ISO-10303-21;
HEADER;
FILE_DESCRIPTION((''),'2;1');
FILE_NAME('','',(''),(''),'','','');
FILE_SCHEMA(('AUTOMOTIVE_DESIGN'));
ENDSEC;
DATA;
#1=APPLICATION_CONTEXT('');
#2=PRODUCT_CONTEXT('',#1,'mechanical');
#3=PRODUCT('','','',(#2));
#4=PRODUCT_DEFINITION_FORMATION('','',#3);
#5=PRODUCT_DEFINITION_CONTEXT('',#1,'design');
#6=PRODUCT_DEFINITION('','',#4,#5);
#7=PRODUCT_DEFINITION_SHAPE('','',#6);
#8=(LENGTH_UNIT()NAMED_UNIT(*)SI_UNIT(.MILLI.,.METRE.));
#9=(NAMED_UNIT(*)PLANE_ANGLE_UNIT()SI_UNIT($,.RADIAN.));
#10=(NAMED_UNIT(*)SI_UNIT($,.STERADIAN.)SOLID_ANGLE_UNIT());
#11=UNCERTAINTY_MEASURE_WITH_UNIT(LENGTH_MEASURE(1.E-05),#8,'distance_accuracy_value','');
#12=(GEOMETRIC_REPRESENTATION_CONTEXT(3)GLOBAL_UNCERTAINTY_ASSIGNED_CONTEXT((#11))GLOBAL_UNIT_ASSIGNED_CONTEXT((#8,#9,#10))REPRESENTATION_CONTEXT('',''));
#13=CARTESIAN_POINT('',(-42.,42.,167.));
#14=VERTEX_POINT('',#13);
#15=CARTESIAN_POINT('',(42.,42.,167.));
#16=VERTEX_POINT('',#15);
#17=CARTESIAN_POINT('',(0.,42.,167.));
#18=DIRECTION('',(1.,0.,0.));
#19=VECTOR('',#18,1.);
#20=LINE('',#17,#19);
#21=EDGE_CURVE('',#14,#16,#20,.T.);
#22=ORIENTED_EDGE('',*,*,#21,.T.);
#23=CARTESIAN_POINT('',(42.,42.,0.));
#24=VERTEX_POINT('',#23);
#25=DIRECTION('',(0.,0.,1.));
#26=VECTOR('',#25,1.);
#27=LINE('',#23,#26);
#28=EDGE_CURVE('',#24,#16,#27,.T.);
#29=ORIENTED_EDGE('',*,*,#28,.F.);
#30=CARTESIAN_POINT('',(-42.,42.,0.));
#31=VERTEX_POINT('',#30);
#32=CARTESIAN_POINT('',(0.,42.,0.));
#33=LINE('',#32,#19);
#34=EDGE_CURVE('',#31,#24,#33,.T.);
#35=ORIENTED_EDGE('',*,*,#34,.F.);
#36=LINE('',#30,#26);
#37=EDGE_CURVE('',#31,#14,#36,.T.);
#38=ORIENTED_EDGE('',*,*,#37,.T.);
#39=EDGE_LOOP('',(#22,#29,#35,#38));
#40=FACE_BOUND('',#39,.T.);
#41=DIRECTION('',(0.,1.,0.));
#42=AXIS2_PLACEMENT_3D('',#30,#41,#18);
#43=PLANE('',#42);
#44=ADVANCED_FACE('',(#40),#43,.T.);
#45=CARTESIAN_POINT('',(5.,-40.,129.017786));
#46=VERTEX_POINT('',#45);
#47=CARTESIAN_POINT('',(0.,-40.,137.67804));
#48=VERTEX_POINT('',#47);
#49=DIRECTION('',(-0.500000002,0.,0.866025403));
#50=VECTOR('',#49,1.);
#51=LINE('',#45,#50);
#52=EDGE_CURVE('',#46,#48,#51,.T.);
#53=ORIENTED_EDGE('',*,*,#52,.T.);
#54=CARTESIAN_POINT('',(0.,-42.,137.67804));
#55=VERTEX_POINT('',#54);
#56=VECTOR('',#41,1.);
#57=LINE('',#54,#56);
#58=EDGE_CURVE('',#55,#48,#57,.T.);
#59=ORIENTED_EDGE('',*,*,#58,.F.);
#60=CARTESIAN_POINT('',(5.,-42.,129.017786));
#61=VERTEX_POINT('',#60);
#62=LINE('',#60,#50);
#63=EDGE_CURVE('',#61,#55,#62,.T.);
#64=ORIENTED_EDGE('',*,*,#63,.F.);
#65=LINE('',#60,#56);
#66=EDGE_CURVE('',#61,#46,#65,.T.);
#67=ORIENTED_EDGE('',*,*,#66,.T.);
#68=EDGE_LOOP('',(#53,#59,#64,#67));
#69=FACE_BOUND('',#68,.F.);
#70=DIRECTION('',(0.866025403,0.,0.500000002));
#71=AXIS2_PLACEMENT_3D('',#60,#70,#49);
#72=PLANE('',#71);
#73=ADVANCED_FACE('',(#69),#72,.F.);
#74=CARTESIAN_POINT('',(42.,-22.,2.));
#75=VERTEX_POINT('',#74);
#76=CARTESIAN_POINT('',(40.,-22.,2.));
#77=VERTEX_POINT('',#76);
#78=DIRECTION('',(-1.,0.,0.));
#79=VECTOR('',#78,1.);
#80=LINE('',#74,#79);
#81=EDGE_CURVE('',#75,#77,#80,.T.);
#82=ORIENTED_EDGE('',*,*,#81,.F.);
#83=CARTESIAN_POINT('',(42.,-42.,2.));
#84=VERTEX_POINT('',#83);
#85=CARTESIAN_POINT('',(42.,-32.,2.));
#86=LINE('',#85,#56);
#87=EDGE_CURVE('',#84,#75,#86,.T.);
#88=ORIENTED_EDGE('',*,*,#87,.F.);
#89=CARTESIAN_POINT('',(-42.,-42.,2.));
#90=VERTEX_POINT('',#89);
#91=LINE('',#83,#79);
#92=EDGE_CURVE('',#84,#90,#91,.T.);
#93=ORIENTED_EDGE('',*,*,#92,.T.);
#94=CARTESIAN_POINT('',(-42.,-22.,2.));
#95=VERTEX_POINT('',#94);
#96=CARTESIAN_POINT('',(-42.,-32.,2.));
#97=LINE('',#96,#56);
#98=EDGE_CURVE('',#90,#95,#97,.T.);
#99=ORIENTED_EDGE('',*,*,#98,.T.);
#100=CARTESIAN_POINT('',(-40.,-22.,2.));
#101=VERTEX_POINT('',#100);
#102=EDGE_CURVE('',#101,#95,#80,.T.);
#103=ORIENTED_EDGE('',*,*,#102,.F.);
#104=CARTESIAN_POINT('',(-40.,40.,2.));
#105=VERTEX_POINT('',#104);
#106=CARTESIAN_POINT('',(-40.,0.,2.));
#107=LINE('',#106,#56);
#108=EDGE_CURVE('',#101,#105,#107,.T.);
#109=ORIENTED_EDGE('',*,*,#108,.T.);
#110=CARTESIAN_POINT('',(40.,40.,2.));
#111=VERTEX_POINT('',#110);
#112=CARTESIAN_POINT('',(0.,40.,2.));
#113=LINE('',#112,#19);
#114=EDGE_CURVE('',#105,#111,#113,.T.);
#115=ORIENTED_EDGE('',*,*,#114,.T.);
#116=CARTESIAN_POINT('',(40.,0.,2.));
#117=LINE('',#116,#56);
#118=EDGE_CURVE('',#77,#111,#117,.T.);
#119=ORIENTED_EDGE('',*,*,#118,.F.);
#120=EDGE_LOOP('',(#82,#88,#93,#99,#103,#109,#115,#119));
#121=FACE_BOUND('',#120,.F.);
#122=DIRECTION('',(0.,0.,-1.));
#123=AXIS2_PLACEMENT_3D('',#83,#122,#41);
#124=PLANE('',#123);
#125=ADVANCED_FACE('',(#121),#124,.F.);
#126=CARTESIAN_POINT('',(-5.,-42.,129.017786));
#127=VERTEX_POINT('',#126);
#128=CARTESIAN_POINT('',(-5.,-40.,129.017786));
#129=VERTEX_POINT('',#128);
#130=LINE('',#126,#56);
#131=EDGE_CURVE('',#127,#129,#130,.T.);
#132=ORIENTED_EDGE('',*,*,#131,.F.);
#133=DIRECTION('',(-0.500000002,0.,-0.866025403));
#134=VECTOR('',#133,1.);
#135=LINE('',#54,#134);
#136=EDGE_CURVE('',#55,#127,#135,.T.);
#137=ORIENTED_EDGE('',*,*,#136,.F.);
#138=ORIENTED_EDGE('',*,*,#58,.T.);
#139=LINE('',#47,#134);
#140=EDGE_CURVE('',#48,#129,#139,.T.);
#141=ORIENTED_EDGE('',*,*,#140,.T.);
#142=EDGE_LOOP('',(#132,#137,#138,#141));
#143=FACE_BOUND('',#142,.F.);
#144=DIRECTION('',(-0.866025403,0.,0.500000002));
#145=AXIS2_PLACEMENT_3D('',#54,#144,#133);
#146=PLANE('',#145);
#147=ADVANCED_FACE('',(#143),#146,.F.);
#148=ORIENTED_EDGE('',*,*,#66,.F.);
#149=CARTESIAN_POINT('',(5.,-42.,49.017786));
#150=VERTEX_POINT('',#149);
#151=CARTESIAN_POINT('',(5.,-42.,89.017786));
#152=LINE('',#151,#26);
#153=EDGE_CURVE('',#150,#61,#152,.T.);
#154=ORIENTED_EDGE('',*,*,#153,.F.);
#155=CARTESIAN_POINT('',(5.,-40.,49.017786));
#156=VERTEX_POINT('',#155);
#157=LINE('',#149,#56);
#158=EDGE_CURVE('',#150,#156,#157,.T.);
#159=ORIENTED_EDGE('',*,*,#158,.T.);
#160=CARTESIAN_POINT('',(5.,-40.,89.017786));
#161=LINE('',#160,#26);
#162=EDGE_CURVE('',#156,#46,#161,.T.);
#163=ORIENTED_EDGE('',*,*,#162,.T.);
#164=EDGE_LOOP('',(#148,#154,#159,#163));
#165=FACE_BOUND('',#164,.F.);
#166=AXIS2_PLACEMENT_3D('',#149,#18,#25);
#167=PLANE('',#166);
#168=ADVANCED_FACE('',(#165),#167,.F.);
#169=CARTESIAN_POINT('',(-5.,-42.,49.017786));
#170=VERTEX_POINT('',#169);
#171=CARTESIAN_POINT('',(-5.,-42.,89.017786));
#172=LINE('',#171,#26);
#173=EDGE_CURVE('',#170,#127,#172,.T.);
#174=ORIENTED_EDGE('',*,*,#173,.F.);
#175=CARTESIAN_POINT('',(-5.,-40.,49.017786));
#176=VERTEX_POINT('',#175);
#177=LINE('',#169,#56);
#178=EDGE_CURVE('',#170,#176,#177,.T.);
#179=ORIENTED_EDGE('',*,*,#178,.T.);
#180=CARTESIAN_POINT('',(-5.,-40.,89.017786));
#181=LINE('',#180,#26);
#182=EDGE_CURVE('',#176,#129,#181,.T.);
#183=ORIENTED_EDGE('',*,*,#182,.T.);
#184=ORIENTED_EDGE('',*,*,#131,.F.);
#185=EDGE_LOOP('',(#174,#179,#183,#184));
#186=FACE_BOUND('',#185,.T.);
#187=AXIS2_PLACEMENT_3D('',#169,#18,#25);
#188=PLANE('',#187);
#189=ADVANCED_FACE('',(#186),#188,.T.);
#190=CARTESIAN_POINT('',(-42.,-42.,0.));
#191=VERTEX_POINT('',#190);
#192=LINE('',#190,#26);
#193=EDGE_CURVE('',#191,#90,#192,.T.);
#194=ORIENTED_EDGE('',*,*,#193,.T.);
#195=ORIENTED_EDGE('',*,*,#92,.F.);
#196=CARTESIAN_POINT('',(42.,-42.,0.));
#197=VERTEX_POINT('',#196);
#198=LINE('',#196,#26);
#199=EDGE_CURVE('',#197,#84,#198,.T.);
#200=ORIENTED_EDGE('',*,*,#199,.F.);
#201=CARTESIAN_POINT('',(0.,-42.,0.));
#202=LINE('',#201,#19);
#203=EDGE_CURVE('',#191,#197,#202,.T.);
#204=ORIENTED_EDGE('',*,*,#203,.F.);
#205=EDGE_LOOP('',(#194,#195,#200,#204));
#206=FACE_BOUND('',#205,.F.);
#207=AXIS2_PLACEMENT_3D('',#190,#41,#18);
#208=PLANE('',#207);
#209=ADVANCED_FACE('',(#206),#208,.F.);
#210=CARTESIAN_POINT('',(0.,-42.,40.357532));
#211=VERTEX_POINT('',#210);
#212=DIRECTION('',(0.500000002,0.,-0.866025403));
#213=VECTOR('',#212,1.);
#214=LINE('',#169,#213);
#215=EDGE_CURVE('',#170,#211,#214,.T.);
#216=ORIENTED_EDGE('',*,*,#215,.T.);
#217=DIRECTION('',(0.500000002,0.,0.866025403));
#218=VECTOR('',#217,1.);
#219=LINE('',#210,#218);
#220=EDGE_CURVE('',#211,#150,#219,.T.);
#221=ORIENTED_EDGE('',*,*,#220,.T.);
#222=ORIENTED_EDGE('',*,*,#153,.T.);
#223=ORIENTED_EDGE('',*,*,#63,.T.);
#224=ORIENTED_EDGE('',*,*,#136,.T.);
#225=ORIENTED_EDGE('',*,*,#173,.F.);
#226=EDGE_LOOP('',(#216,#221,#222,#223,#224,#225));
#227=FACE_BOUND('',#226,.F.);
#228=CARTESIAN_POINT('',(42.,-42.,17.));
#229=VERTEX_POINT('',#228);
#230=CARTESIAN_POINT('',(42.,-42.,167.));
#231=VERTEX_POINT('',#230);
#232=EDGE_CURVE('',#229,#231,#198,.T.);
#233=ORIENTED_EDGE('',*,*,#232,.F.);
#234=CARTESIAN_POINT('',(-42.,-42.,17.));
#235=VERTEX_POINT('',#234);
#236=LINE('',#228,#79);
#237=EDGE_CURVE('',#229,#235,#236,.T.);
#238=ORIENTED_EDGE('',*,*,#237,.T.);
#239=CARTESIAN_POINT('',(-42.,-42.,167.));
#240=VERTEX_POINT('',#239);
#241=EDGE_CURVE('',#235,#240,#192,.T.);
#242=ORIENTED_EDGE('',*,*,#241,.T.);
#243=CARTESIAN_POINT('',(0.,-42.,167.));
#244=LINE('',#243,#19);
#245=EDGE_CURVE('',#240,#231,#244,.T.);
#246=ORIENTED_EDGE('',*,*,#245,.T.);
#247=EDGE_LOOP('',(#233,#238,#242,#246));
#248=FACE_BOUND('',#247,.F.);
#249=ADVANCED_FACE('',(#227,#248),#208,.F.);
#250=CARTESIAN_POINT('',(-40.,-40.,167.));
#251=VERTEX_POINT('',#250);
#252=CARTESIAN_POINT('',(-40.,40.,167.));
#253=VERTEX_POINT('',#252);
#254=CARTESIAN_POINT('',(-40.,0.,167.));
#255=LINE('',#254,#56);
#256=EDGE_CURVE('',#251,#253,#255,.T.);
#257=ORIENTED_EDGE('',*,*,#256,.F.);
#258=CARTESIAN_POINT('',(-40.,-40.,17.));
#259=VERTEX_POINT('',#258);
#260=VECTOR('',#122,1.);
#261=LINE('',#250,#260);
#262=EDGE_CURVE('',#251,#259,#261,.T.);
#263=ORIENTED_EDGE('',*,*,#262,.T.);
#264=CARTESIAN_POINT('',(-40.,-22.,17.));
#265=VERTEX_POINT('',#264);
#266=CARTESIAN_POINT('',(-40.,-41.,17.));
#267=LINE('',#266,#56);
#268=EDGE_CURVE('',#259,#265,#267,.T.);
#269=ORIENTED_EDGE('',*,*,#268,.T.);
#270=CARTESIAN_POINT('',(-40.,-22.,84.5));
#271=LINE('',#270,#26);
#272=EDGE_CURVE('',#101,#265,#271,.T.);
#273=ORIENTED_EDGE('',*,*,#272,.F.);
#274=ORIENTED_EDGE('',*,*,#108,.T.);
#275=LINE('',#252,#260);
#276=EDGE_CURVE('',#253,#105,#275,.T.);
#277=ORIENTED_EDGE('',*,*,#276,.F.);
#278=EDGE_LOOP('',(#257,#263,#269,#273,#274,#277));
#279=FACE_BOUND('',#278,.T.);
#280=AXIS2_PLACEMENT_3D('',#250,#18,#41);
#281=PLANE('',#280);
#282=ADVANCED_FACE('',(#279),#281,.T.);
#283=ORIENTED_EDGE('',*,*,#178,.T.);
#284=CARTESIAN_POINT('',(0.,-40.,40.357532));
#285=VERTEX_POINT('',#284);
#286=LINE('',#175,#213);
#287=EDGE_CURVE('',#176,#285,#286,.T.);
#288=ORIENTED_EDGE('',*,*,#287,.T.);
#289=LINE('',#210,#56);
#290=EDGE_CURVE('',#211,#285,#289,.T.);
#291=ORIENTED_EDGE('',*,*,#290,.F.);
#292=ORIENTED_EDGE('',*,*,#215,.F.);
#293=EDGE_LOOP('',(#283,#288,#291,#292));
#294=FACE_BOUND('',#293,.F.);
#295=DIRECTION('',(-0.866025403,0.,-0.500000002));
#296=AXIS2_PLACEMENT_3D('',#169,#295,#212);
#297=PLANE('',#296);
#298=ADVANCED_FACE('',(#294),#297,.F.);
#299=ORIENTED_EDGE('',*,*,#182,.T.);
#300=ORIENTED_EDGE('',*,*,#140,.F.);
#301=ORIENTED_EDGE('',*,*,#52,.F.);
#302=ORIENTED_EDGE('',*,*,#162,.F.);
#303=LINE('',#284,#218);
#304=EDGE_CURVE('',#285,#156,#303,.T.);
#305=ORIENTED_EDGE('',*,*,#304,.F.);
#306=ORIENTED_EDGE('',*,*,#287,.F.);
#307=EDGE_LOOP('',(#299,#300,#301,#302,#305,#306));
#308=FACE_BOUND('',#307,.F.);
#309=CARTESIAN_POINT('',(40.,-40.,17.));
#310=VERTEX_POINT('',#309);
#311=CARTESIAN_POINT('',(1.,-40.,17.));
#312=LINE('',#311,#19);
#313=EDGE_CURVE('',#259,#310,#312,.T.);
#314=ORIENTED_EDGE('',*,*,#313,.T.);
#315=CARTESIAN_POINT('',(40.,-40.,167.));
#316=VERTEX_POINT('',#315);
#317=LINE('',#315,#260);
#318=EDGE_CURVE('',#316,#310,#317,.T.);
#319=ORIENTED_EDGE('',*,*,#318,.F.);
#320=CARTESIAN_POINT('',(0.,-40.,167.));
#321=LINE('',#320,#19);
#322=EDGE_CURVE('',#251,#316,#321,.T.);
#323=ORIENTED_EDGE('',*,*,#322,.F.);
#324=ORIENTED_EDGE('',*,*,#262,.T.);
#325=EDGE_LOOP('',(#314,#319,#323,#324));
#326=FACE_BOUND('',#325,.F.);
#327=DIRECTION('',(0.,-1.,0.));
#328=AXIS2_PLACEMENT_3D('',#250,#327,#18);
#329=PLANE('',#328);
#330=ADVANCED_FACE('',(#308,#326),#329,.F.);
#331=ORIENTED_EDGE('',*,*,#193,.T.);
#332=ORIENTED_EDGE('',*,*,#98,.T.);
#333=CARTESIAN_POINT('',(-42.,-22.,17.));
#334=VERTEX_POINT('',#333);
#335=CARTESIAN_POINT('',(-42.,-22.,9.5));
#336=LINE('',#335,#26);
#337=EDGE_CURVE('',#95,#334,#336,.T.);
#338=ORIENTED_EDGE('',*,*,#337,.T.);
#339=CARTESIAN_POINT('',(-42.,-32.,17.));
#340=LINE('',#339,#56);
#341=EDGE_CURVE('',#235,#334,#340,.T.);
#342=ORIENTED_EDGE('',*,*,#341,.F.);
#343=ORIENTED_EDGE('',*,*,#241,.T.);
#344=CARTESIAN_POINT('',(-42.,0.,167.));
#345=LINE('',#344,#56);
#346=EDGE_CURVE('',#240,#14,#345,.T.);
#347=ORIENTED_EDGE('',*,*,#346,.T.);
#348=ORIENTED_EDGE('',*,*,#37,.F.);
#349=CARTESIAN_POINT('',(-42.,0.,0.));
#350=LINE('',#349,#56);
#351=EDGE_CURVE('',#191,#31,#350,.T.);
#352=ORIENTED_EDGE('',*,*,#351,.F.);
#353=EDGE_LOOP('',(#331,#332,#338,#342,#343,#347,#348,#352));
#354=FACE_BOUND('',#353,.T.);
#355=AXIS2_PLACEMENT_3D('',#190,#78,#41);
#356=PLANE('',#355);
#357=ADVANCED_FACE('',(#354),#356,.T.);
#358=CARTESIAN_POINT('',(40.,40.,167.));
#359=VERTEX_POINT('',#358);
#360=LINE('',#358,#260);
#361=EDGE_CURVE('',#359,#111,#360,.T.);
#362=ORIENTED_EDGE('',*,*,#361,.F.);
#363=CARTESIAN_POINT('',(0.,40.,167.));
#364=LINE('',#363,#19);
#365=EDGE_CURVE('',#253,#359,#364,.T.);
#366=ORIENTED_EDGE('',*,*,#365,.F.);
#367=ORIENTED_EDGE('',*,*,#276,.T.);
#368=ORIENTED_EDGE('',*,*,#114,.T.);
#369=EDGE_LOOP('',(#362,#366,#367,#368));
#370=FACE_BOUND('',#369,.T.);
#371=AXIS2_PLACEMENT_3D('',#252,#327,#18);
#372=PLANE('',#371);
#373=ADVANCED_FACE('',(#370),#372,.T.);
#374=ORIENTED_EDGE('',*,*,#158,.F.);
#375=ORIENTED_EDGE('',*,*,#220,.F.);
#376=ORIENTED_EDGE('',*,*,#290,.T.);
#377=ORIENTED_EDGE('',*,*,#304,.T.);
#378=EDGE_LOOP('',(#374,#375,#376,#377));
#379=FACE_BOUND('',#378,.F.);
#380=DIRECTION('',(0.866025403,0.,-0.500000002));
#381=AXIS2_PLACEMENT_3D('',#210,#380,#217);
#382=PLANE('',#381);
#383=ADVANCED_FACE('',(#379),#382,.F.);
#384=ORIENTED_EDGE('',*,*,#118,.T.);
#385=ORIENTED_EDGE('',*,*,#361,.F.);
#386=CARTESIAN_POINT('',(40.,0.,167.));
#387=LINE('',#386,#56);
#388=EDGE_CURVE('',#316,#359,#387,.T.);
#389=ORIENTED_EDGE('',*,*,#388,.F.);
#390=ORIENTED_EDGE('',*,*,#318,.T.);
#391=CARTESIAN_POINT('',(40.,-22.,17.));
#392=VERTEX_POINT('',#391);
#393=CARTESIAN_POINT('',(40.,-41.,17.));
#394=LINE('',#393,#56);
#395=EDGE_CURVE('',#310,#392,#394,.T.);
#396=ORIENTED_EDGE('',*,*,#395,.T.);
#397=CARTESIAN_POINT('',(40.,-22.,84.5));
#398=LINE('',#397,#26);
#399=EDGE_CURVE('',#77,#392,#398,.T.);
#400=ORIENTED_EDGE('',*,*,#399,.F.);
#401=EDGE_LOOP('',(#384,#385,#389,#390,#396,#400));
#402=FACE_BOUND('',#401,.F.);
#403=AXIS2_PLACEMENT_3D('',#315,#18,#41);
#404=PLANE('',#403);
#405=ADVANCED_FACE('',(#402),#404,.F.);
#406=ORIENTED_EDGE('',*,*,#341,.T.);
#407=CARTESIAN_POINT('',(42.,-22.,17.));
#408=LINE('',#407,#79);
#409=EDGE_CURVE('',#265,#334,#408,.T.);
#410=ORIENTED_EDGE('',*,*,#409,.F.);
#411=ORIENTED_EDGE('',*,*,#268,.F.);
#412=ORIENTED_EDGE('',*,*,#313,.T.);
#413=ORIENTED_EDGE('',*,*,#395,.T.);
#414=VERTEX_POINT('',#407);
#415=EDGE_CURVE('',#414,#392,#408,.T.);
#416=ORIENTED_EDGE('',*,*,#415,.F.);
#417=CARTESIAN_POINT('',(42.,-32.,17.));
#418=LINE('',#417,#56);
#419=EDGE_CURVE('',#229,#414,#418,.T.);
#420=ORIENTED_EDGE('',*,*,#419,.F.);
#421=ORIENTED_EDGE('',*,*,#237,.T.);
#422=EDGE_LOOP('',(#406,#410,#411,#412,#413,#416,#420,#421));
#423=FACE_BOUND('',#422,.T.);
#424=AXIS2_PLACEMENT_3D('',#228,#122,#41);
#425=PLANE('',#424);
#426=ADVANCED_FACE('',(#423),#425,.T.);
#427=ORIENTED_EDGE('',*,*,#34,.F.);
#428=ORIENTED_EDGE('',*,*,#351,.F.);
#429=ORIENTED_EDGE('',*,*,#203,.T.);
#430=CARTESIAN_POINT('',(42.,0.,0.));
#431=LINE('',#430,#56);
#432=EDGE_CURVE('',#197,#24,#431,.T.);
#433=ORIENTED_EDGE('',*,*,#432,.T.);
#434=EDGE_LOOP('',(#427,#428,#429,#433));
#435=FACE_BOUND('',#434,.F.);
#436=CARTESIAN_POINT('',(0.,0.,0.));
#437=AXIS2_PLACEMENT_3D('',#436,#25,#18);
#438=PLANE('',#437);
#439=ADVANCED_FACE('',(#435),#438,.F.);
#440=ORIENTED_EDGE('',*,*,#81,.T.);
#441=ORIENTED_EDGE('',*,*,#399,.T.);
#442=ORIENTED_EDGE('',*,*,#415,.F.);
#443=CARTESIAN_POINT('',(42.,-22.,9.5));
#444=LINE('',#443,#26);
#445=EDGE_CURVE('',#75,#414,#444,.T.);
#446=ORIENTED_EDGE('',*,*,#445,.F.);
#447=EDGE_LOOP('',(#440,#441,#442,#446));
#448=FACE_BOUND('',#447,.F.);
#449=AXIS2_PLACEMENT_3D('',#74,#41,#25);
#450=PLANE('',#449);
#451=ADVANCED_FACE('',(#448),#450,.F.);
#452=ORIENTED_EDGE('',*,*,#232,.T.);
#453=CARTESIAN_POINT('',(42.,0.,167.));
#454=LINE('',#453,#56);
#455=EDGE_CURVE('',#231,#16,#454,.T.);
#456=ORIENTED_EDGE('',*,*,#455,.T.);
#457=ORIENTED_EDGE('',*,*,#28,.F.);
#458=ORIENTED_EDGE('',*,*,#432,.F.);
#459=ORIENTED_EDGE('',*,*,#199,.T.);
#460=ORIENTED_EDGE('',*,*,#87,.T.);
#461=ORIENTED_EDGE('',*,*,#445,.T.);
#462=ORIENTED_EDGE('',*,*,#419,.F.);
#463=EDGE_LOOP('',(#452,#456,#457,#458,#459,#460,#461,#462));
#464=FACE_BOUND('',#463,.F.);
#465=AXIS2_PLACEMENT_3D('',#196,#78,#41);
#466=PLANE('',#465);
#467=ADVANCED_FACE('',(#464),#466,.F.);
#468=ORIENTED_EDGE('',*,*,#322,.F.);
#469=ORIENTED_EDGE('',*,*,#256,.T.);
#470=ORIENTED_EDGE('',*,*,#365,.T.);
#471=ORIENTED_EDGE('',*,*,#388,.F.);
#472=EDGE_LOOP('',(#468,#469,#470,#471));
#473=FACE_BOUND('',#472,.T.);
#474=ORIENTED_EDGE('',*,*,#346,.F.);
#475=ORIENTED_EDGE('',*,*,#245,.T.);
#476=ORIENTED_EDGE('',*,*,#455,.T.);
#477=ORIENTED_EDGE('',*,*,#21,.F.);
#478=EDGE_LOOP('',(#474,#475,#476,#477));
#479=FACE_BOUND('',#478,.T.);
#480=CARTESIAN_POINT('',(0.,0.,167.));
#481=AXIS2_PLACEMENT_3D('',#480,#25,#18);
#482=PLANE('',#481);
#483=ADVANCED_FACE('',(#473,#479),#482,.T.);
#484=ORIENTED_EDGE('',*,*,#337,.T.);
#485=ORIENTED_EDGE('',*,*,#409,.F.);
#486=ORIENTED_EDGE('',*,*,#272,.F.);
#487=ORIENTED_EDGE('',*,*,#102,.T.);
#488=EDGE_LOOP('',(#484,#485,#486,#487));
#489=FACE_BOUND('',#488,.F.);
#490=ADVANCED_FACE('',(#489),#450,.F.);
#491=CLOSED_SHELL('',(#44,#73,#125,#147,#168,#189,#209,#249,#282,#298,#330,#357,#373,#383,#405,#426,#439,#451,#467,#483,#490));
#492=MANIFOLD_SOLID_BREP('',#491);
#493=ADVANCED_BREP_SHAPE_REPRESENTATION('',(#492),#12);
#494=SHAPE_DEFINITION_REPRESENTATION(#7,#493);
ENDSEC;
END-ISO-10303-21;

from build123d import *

# Parameters (mm, degrees)
F0_W     = 84
F0_H     = 84
F1_DEPTH = 167
F2_W     = 80
F2_H     = 80
F3_DEPTH = 165
F4_W     = 20
F4_H     = 15
F5_DEPTH = 84
F6_W     = 10
F6_H     = 80
F7_DEPTH = 2


with BuildPart() as f1:
    # F0 (on Top) → F1 (new body)
    with BuildSketch(Plane.XY):
        Rectangle(F0_W, F0_H)
    extrude(amount=F1_DEPTH)

    # F2 (on face) → F3 (cut)
    with BuildSketch(Plane.XY.offset(167)):
        Rectangle(F2_W, F2_H)
    extrude(amount=-F3_DEPTH, mode=Mode.SUBTRACT)

    # F4 (on face) → F5 (cut)
    with BuildSketch(Plane.YZ.offset(42)):
        with Locations((-32, 9.5)):
            Rectangle(F4_W, F4_H)
    extrude(amount=-F5_DEPTH, mode=Mode.SUBTRACT)

    # F6 (on face) → F7 (cut)
    with BuildSketch(Plane.XZ.offset(42)):
        Polygon((5, 49.017786), (-5, 49.017786), (0, 40.357532), align=None)
        with Locations((0, 89.017786)):
            Rectangle(F6_W, F6_H)
        Polygon((0, 137.67804), (-5, 129.017786), (5, 129.017786), align=None)
    extrude(amount=-F7_DEPTH, mode=Mode.SUBTRACT)


solid = f1.part
